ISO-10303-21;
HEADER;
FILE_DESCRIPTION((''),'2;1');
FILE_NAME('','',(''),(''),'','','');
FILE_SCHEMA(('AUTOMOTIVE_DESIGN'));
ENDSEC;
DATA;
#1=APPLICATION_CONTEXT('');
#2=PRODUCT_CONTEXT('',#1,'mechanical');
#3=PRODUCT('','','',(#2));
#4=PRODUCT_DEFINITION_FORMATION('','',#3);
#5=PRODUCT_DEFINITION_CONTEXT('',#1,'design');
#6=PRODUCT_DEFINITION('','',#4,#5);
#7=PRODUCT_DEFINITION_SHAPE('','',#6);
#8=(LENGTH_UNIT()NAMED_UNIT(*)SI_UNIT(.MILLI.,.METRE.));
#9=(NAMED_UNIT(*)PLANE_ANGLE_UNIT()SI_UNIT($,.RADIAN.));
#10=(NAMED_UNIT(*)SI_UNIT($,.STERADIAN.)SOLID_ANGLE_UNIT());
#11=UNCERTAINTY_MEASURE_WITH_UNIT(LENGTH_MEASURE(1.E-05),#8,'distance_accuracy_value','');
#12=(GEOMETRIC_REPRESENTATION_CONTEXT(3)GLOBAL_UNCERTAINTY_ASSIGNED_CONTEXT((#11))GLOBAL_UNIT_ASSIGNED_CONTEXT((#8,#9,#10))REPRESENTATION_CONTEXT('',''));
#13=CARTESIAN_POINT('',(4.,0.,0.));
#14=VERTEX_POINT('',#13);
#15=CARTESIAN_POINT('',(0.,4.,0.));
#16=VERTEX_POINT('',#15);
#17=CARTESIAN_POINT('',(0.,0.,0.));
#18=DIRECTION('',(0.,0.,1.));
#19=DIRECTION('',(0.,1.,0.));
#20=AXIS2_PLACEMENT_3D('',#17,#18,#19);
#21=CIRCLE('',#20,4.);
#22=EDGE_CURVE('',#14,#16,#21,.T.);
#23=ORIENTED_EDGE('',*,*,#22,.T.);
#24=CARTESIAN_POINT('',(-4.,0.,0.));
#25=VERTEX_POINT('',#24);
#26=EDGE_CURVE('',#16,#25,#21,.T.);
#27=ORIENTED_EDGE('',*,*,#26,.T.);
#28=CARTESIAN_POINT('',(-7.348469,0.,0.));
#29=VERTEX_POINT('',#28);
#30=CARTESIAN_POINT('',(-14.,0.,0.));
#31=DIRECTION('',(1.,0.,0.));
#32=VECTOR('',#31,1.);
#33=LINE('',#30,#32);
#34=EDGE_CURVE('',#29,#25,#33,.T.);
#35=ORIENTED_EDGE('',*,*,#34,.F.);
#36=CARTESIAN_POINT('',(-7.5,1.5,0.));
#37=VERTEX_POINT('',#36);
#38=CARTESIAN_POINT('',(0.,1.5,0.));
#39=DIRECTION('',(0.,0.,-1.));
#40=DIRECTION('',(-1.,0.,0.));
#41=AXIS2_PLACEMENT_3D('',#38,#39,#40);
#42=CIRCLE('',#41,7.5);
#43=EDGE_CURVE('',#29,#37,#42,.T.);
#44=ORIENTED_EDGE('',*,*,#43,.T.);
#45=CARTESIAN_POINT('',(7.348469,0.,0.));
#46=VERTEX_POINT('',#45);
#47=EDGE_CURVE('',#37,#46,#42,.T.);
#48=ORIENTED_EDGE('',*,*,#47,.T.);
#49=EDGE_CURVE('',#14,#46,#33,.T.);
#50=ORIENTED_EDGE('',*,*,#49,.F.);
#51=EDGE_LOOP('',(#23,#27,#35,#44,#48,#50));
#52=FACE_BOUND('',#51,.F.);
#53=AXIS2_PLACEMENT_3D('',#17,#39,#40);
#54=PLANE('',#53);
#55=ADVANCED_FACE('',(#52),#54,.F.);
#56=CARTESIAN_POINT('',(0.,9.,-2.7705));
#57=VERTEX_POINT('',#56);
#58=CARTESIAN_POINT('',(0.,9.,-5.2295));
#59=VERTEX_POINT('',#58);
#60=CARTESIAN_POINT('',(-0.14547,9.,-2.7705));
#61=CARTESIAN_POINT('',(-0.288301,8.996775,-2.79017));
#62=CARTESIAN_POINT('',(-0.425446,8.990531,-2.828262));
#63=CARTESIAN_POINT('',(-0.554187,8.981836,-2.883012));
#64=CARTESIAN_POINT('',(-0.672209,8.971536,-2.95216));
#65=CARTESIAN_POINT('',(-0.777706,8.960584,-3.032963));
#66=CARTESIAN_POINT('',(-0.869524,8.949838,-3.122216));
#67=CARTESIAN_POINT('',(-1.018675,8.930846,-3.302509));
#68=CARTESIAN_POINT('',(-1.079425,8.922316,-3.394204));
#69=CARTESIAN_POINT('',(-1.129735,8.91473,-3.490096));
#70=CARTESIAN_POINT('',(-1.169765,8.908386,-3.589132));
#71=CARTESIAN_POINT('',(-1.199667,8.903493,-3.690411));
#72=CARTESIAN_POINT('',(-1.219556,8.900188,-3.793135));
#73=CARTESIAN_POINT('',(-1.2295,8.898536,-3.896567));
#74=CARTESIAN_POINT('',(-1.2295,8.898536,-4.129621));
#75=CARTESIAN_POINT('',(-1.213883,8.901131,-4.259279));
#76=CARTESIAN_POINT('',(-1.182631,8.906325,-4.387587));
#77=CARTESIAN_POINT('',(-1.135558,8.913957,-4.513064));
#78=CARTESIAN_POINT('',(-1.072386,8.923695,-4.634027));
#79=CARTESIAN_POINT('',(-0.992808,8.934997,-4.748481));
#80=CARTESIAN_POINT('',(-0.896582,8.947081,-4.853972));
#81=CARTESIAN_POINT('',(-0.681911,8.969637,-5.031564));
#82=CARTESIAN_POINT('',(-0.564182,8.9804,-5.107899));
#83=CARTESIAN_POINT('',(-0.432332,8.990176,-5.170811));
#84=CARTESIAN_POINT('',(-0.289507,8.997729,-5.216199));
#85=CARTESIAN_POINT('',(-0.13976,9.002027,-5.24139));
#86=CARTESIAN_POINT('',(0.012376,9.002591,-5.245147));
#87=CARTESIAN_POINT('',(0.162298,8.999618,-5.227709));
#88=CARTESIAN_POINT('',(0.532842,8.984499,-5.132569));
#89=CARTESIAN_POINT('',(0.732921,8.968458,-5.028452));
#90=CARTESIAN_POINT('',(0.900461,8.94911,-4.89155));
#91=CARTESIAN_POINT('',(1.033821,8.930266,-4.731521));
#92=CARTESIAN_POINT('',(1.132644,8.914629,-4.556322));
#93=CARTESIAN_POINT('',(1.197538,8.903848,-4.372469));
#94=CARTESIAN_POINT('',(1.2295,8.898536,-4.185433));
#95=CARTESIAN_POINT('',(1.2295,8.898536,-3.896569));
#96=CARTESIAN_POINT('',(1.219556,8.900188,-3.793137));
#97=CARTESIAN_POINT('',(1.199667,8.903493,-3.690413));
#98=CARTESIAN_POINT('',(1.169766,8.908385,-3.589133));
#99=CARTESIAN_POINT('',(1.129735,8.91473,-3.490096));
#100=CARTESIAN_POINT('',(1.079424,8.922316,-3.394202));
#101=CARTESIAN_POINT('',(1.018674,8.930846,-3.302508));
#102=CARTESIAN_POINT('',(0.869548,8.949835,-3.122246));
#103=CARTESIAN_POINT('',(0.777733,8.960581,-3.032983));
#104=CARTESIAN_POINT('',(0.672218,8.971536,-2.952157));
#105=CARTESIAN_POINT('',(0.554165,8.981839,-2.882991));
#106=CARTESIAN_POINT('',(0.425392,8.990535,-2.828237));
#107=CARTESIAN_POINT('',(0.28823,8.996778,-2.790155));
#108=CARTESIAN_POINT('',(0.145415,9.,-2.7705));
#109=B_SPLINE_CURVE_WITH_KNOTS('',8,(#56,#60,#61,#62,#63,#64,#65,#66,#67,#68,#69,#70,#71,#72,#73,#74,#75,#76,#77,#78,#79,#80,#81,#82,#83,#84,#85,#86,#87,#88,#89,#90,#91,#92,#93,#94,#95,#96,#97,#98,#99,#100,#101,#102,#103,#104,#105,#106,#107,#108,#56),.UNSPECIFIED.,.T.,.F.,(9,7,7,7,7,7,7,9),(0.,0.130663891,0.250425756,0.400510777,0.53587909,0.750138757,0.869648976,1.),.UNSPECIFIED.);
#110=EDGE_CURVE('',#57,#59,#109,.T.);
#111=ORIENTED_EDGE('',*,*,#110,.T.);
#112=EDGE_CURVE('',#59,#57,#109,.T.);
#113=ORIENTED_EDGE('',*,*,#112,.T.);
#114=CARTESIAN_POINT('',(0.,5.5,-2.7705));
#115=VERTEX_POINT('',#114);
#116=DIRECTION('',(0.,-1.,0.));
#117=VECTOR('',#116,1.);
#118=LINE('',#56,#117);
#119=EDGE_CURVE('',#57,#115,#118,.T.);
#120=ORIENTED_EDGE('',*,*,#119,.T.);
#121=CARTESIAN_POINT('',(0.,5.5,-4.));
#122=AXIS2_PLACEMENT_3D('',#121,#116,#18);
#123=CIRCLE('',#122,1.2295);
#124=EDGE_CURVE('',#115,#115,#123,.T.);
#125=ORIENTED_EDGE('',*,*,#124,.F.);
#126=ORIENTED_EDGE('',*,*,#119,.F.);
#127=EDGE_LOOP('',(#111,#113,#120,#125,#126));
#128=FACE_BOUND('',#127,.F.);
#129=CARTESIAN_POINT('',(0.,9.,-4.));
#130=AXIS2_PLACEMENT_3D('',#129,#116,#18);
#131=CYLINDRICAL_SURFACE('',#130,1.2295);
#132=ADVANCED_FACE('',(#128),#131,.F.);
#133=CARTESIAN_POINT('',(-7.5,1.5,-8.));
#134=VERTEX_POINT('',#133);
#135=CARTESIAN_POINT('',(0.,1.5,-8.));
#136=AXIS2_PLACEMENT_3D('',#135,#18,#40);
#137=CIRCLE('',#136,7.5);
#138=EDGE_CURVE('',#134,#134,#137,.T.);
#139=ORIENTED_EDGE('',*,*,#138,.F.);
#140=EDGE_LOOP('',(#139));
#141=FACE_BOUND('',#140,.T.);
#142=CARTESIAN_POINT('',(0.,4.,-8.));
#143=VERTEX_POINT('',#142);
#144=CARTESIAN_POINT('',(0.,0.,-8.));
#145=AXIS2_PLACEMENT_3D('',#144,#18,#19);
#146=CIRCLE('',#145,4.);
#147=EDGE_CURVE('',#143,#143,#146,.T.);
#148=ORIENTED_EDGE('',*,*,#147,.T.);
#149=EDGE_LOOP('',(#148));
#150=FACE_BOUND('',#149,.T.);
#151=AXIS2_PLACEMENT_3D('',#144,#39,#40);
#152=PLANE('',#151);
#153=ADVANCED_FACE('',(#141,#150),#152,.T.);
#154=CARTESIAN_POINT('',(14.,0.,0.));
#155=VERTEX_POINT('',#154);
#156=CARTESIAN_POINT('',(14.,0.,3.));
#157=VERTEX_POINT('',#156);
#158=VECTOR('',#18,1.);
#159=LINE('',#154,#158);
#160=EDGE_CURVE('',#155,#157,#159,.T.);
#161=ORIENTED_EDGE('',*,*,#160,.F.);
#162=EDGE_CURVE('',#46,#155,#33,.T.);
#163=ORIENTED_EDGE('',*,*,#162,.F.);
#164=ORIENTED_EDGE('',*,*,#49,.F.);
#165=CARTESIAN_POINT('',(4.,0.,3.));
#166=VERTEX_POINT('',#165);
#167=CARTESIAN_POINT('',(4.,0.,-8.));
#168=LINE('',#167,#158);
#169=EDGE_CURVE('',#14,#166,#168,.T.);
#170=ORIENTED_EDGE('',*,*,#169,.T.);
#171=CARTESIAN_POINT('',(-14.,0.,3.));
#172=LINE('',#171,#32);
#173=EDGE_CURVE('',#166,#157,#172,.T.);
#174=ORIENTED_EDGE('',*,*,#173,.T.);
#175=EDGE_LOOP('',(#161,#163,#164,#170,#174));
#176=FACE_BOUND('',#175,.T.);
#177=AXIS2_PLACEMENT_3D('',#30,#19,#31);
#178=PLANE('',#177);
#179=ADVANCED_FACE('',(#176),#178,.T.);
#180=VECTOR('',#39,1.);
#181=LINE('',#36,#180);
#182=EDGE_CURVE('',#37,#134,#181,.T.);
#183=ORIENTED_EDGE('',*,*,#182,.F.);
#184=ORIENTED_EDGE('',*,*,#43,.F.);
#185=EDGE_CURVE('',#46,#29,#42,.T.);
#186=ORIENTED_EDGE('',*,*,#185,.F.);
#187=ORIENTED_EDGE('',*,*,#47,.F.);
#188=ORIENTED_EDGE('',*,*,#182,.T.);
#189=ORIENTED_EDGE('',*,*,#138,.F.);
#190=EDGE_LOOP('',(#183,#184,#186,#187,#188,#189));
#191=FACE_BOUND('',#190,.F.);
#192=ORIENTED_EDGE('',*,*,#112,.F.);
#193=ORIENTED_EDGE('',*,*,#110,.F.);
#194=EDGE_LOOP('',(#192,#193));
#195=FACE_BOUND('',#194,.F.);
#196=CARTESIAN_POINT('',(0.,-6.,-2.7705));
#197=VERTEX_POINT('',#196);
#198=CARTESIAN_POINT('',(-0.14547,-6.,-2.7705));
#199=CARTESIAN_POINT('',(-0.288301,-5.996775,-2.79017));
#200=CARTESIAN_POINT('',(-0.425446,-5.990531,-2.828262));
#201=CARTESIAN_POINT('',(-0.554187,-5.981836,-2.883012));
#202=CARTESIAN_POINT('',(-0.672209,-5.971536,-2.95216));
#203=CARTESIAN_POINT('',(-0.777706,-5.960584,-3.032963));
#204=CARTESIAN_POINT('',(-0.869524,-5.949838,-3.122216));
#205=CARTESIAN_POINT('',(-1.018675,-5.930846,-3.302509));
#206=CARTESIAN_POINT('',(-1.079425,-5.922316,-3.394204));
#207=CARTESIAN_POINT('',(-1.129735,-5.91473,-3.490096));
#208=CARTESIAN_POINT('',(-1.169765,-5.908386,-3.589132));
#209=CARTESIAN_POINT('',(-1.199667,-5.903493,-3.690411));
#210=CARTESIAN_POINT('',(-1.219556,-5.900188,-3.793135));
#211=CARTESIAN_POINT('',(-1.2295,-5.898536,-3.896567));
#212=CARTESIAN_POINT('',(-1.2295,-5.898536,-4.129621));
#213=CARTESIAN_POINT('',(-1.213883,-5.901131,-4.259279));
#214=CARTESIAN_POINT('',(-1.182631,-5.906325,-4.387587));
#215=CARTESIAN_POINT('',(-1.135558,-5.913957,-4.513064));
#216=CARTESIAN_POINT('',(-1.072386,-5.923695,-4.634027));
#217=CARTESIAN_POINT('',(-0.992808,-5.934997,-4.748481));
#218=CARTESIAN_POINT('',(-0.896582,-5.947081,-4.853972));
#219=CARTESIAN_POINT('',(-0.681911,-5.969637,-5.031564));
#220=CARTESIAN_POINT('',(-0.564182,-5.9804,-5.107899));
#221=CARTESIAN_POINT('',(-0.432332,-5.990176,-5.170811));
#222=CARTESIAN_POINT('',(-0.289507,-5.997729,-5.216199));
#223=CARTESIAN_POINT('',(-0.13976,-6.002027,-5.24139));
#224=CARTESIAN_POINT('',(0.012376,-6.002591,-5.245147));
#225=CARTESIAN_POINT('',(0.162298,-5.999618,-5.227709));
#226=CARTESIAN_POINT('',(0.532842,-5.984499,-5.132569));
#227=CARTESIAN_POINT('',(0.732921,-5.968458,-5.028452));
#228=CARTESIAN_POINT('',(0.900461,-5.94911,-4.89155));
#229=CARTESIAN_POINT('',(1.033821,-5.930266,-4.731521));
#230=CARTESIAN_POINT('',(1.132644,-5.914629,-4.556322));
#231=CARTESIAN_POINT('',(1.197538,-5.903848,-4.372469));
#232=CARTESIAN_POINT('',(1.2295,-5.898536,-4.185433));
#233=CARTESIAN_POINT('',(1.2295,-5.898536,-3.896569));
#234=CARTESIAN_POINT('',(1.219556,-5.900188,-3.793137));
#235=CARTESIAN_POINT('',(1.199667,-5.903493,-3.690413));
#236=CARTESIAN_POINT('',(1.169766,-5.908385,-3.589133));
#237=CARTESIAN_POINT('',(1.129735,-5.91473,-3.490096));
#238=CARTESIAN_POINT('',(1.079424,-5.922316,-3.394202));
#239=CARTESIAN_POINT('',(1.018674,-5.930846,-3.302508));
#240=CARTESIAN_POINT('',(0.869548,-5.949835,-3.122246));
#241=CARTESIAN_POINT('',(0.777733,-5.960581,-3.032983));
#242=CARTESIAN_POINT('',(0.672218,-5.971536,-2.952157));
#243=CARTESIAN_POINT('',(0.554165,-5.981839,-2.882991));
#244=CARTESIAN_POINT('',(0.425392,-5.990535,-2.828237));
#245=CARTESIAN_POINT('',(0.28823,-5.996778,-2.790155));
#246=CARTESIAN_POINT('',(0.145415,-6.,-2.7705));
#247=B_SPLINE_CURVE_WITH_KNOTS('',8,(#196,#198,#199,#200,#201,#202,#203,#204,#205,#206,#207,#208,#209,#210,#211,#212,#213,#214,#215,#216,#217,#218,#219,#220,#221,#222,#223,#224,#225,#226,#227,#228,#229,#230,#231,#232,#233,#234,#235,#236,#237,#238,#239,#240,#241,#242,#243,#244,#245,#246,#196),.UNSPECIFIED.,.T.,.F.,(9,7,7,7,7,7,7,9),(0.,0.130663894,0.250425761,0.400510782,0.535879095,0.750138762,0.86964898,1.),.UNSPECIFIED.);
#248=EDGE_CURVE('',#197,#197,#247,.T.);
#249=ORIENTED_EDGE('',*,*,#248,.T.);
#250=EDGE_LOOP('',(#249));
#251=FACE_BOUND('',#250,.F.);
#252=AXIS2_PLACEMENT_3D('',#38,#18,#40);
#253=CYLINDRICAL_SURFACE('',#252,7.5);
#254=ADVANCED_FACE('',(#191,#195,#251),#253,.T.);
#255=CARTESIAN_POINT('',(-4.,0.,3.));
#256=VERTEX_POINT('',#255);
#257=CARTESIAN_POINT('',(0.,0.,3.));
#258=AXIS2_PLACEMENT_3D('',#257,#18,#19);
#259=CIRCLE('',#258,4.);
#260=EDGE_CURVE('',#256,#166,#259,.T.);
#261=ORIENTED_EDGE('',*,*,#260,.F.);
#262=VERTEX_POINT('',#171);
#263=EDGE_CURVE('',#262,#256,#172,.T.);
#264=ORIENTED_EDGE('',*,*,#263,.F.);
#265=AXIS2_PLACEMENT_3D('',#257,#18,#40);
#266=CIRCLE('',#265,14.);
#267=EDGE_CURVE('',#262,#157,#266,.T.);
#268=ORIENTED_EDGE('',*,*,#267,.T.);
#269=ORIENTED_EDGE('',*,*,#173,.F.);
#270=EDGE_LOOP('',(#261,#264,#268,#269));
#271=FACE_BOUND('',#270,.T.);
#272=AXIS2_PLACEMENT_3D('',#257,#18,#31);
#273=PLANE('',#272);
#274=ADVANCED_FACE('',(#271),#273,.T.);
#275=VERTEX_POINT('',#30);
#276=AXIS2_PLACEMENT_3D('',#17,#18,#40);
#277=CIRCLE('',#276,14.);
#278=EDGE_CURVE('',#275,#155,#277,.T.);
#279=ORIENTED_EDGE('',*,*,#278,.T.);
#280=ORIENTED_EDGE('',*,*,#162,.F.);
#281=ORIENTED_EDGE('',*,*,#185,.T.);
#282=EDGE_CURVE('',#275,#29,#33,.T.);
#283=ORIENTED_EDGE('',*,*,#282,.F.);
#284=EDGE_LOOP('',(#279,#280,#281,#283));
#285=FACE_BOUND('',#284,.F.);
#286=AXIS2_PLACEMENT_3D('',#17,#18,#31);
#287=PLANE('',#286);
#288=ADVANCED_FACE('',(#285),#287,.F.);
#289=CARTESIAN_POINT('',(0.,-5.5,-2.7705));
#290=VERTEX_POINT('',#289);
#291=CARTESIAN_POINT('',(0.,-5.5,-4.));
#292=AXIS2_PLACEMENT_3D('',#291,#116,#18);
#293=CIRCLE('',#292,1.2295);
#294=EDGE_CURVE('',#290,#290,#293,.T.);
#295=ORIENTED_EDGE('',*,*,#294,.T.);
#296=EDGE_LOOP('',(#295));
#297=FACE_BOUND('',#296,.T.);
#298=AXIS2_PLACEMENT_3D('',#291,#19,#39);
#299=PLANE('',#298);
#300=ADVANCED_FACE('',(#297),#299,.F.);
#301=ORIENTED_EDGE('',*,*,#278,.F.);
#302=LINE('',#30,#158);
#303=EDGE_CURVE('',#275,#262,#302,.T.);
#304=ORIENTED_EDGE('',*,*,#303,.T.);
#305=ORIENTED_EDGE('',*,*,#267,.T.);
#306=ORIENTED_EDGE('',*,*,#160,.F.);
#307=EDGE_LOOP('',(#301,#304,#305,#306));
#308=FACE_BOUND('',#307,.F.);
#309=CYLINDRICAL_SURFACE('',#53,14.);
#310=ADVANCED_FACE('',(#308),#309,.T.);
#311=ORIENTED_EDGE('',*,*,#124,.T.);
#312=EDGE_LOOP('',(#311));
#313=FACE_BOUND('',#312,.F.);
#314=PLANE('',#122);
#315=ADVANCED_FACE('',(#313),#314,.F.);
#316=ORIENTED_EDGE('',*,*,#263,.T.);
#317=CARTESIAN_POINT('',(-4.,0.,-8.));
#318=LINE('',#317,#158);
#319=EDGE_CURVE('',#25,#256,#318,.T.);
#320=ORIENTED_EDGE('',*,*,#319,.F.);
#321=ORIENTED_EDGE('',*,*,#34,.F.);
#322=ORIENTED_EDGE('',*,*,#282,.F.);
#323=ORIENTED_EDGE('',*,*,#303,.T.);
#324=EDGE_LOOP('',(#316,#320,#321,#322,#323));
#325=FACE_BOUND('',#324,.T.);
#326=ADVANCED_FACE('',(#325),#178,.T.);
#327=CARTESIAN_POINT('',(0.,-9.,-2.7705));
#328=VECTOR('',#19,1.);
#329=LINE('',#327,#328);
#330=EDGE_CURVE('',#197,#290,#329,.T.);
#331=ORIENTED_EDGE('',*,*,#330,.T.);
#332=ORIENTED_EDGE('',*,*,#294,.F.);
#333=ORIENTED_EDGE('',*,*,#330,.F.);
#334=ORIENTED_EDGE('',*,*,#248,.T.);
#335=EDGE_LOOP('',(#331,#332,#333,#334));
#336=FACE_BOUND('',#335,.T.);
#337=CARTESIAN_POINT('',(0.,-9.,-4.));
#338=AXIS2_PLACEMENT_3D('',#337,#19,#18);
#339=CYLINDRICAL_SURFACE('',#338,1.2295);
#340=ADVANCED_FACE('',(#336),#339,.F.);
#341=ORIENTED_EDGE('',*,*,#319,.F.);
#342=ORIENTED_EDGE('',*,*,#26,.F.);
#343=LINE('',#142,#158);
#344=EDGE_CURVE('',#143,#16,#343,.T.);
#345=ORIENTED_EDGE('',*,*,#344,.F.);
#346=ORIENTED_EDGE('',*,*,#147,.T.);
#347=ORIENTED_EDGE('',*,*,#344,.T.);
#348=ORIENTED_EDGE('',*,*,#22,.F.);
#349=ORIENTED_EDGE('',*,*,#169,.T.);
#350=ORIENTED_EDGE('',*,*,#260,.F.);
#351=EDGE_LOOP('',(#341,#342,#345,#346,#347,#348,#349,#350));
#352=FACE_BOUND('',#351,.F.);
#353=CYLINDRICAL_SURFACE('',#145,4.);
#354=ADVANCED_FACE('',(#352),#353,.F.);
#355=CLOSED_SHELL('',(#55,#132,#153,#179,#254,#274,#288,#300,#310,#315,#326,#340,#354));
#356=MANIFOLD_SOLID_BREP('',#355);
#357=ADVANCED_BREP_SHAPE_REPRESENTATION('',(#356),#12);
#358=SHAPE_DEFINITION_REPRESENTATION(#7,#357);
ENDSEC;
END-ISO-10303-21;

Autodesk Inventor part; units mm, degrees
ref_plane "YZ Plane" through (0, 0, 0) normal (1, 0, 0) x (0, 1, 0)
sketch "Sketch1" plane through (0, 0, 0) normal (0, 0, 1) x (1, 0, 0)
  arc A0 (-14, 0) -> (14, 0) centre (0, 0) ccw
  line L0 (-14, 0) -> (14, 0)
  dimension "d0" = 28
extrude "Extrusion1" add sketch "Sketch1" along normal blind 3
sketch "Sketch2" plane through (0, 0, 0) normal (0, 0, -1) x (-1, 0, 0)
  circle A0 centre (0, 1.5) radius 7.5
  line L0 (-14, 0) -> (14, 0) projected
  point P0 (0, 0)
  point P1 (0, 0)
  dimension "d22" = 15
  dimension "d23" = 1.5
extrude "Extrusion2" add sketch "Sketch2" along normal blind 8
sketch "Sketch3" plane through (0, 0, -8) normal (0, 0, -1) x (-1, 0, 0)
  circle A0 centre (0, 1.5) radius 7.5 projected
  point P0 (0, 0)
  point P1 (0, 0)
  point P2 (0, 0)
hole "Hole1" at (0, 0, -8) direction (0, 0, 1) diameter 8 depth 11
ref_plane "Work Plane1" through (0, 9, 0) normal (0, 1, 0) x (-1, 0, 0)
sketch "Sketch4" plane through (0, 9, 0) normal (0, 1, 0) x (-1, 0, 0)
  line L0 (-7.5, -8) -> (7.5, -8) projected
  line L1 (7.3485, 0) -> (-7.3485, 0) projected
  line L2 (7.3485, 0) -> (-7.3485, 0) projected
  line L3 (7.5, 0) -> (7.5, -8) projected
  line L4 (-7.5, 0) -> (-7.5, -8) projected
  point P0 (0, 0)
  point P1 (0, -4)
  point P2 (0, 0)
  point P3 (-7.5, -4)
hole "Hole2" at (0, 9, -4) direction (0, -1, 0) diameter 2.459 depth 3.5 thread size "M3x0.5" class "6H" standard "ISO Metric profile"
ref_plane "Work Plane2" through (0, 0, 0) normal (0, 1, 0) x (-1, 0, 0)
mirror "Mirror1" about plane through (0, 0, 0) normal (0, 1, 0) of "Hole2"
properties part number "204"
